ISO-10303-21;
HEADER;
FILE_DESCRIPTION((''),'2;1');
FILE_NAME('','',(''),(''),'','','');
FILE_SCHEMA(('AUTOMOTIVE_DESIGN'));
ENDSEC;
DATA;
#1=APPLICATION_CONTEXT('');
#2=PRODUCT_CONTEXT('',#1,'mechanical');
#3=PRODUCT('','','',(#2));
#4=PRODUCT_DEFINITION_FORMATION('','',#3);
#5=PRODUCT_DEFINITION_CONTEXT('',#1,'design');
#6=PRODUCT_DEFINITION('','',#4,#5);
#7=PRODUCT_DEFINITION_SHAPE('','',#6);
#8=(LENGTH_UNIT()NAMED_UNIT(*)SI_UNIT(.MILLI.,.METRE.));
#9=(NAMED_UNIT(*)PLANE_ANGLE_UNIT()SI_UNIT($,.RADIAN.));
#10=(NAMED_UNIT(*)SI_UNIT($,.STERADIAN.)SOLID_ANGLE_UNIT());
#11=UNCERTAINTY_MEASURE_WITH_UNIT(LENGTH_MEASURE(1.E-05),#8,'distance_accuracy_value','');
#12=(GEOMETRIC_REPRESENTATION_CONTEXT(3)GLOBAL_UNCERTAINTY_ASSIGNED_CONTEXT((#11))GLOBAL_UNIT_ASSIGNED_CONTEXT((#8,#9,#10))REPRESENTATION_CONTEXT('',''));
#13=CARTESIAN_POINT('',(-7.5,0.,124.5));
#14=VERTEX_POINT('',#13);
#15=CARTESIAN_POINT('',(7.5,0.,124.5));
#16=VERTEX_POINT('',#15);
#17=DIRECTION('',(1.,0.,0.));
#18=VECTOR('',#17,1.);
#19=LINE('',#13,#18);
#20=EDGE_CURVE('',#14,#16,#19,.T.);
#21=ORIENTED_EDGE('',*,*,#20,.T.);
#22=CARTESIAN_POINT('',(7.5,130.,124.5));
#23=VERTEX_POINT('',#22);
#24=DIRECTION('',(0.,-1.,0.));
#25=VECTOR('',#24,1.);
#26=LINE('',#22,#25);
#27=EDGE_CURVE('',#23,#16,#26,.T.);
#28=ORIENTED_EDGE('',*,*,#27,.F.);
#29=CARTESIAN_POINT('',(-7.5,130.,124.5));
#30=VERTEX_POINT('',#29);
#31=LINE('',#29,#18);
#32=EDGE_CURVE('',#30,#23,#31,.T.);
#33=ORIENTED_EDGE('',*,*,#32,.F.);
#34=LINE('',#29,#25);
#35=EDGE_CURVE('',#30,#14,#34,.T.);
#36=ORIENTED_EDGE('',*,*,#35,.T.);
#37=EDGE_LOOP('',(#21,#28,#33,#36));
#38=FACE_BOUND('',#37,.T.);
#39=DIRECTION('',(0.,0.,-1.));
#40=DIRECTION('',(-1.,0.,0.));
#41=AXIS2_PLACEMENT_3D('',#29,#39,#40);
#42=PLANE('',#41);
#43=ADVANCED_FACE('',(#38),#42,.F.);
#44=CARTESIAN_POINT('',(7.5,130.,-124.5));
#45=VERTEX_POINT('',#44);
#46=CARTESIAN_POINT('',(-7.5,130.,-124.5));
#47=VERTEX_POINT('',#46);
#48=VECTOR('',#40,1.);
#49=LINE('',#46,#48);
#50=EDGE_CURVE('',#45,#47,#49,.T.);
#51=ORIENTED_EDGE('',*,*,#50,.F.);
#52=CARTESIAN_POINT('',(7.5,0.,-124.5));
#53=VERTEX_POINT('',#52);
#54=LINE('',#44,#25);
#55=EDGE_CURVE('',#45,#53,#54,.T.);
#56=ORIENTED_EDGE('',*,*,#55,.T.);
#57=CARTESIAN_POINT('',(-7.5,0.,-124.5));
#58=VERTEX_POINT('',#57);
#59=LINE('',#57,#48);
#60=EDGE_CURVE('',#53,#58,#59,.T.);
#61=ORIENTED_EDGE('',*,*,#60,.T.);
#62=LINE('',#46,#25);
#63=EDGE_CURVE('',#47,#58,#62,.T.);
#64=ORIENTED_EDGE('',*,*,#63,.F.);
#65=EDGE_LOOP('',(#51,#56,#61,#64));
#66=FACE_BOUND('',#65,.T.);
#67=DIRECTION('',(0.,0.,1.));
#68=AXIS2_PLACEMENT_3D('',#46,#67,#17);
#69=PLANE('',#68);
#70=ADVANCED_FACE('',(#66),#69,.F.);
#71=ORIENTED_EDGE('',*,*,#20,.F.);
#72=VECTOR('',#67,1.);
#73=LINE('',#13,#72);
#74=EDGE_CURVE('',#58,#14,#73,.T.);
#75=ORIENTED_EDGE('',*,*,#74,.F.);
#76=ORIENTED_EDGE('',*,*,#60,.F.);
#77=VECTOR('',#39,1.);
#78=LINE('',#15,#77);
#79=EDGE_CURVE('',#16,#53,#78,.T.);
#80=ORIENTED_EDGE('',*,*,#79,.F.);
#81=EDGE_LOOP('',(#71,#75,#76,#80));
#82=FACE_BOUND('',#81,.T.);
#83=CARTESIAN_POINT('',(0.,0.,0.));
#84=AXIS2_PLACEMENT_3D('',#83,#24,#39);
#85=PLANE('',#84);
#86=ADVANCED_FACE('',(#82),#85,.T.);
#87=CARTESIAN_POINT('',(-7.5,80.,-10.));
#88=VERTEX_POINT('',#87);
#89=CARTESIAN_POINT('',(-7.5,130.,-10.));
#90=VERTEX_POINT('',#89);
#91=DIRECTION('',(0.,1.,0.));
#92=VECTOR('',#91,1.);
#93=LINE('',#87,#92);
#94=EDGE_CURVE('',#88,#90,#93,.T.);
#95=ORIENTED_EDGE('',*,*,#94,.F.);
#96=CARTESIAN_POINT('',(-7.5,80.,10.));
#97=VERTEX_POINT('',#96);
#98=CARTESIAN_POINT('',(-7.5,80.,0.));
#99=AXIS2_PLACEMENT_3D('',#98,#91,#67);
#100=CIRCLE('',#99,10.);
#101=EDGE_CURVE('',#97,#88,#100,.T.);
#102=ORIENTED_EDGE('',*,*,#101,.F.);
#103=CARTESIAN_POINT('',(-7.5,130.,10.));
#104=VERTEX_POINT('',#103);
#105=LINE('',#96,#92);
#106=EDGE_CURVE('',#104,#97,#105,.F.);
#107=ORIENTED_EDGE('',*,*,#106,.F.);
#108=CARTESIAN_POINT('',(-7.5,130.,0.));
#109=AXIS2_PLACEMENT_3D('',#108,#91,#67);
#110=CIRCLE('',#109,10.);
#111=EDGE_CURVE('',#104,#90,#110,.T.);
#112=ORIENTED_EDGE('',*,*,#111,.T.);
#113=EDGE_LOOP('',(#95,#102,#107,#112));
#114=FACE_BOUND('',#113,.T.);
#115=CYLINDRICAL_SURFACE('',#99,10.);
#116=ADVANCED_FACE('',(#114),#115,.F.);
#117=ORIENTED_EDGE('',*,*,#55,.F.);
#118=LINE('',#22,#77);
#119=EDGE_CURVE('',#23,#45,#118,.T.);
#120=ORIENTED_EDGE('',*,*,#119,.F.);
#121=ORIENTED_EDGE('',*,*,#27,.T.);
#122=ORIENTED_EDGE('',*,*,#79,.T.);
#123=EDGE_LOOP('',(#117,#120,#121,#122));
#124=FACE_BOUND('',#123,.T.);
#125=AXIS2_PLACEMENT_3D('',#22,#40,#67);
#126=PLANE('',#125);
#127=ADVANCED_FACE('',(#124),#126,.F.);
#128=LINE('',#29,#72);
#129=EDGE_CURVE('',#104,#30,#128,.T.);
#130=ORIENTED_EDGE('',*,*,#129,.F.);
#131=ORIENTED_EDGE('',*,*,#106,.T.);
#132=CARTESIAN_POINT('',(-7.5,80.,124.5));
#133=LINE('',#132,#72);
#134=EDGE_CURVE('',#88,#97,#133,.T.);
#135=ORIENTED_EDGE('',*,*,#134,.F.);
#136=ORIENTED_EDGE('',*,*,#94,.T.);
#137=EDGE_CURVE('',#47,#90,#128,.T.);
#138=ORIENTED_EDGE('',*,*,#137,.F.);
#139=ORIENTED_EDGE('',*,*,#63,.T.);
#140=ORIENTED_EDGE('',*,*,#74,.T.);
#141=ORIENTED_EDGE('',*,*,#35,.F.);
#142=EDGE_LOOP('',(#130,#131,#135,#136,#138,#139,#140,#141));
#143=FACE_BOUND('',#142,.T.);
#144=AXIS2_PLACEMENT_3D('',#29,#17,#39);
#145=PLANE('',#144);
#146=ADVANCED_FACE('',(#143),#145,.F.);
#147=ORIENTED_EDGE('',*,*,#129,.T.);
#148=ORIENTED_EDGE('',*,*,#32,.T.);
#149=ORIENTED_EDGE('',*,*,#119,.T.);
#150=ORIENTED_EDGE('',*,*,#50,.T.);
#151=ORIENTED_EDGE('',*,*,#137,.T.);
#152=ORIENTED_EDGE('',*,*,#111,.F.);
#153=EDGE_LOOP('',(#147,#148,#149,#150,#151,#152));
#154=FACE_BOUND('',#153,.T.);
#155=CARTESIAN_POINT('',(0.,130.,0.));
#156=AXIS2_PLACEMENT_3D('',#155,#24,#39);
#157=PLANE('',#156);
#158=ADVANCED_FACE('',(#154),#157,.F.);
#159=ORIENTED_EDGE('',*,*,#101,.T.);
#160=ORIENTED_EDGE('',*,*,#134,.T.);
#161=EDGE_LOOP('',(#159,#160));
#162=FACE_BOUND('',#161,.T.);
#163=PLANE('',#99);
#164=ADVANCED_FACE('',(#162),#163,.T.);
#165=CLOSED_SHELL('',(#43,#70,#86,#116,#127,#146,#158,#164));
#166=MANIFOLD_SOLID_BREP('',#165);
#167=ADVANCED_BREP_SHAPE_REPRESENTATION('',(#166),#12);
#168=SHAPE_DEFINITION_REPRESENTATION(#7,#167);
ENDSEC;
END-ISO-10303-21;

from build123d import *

# Parameters (mm, degrees)
SZKIC1_W                    = 15
SZKIC1_H                    = 249
DODANIE_WYCI_GNI_CIE1_DEPTH = 130
SZKIC2_R                    = 10
WYTNIJ_WYCI_GNI_CIE1_DEPTH  = 50


with BuildPart() as part:
    # Szkic1 → Dodanie-wyciągnięcie1 (new body)
    with BuildSketch(Plane(origin=(0, 0, 0), x_dir=(1, 0, 0), z_dir=(0, 1, 0))):
        Rectangle(SZKIC1_W, SZKIC1_H)
    extrude(amount=DODANIE_WYCI_GNI_CIE1_DEPTH)

    # Szkic2 → Wytnij-wyciągnięcie1 (cut)
    with BuildSketch(Plane(origin=(0, 130, 0), x_dir=(1, 0, 0), z_dir=(0, 1, 0))):
        with Locations((-7.5, 0)):
            Circle(SZKIC2_R)
    extrude(amount=-WYTNIJ_WYCI_GNI_CIE1_DEPTH, mode=Mode.SUBTRACT)


solid = part.part
